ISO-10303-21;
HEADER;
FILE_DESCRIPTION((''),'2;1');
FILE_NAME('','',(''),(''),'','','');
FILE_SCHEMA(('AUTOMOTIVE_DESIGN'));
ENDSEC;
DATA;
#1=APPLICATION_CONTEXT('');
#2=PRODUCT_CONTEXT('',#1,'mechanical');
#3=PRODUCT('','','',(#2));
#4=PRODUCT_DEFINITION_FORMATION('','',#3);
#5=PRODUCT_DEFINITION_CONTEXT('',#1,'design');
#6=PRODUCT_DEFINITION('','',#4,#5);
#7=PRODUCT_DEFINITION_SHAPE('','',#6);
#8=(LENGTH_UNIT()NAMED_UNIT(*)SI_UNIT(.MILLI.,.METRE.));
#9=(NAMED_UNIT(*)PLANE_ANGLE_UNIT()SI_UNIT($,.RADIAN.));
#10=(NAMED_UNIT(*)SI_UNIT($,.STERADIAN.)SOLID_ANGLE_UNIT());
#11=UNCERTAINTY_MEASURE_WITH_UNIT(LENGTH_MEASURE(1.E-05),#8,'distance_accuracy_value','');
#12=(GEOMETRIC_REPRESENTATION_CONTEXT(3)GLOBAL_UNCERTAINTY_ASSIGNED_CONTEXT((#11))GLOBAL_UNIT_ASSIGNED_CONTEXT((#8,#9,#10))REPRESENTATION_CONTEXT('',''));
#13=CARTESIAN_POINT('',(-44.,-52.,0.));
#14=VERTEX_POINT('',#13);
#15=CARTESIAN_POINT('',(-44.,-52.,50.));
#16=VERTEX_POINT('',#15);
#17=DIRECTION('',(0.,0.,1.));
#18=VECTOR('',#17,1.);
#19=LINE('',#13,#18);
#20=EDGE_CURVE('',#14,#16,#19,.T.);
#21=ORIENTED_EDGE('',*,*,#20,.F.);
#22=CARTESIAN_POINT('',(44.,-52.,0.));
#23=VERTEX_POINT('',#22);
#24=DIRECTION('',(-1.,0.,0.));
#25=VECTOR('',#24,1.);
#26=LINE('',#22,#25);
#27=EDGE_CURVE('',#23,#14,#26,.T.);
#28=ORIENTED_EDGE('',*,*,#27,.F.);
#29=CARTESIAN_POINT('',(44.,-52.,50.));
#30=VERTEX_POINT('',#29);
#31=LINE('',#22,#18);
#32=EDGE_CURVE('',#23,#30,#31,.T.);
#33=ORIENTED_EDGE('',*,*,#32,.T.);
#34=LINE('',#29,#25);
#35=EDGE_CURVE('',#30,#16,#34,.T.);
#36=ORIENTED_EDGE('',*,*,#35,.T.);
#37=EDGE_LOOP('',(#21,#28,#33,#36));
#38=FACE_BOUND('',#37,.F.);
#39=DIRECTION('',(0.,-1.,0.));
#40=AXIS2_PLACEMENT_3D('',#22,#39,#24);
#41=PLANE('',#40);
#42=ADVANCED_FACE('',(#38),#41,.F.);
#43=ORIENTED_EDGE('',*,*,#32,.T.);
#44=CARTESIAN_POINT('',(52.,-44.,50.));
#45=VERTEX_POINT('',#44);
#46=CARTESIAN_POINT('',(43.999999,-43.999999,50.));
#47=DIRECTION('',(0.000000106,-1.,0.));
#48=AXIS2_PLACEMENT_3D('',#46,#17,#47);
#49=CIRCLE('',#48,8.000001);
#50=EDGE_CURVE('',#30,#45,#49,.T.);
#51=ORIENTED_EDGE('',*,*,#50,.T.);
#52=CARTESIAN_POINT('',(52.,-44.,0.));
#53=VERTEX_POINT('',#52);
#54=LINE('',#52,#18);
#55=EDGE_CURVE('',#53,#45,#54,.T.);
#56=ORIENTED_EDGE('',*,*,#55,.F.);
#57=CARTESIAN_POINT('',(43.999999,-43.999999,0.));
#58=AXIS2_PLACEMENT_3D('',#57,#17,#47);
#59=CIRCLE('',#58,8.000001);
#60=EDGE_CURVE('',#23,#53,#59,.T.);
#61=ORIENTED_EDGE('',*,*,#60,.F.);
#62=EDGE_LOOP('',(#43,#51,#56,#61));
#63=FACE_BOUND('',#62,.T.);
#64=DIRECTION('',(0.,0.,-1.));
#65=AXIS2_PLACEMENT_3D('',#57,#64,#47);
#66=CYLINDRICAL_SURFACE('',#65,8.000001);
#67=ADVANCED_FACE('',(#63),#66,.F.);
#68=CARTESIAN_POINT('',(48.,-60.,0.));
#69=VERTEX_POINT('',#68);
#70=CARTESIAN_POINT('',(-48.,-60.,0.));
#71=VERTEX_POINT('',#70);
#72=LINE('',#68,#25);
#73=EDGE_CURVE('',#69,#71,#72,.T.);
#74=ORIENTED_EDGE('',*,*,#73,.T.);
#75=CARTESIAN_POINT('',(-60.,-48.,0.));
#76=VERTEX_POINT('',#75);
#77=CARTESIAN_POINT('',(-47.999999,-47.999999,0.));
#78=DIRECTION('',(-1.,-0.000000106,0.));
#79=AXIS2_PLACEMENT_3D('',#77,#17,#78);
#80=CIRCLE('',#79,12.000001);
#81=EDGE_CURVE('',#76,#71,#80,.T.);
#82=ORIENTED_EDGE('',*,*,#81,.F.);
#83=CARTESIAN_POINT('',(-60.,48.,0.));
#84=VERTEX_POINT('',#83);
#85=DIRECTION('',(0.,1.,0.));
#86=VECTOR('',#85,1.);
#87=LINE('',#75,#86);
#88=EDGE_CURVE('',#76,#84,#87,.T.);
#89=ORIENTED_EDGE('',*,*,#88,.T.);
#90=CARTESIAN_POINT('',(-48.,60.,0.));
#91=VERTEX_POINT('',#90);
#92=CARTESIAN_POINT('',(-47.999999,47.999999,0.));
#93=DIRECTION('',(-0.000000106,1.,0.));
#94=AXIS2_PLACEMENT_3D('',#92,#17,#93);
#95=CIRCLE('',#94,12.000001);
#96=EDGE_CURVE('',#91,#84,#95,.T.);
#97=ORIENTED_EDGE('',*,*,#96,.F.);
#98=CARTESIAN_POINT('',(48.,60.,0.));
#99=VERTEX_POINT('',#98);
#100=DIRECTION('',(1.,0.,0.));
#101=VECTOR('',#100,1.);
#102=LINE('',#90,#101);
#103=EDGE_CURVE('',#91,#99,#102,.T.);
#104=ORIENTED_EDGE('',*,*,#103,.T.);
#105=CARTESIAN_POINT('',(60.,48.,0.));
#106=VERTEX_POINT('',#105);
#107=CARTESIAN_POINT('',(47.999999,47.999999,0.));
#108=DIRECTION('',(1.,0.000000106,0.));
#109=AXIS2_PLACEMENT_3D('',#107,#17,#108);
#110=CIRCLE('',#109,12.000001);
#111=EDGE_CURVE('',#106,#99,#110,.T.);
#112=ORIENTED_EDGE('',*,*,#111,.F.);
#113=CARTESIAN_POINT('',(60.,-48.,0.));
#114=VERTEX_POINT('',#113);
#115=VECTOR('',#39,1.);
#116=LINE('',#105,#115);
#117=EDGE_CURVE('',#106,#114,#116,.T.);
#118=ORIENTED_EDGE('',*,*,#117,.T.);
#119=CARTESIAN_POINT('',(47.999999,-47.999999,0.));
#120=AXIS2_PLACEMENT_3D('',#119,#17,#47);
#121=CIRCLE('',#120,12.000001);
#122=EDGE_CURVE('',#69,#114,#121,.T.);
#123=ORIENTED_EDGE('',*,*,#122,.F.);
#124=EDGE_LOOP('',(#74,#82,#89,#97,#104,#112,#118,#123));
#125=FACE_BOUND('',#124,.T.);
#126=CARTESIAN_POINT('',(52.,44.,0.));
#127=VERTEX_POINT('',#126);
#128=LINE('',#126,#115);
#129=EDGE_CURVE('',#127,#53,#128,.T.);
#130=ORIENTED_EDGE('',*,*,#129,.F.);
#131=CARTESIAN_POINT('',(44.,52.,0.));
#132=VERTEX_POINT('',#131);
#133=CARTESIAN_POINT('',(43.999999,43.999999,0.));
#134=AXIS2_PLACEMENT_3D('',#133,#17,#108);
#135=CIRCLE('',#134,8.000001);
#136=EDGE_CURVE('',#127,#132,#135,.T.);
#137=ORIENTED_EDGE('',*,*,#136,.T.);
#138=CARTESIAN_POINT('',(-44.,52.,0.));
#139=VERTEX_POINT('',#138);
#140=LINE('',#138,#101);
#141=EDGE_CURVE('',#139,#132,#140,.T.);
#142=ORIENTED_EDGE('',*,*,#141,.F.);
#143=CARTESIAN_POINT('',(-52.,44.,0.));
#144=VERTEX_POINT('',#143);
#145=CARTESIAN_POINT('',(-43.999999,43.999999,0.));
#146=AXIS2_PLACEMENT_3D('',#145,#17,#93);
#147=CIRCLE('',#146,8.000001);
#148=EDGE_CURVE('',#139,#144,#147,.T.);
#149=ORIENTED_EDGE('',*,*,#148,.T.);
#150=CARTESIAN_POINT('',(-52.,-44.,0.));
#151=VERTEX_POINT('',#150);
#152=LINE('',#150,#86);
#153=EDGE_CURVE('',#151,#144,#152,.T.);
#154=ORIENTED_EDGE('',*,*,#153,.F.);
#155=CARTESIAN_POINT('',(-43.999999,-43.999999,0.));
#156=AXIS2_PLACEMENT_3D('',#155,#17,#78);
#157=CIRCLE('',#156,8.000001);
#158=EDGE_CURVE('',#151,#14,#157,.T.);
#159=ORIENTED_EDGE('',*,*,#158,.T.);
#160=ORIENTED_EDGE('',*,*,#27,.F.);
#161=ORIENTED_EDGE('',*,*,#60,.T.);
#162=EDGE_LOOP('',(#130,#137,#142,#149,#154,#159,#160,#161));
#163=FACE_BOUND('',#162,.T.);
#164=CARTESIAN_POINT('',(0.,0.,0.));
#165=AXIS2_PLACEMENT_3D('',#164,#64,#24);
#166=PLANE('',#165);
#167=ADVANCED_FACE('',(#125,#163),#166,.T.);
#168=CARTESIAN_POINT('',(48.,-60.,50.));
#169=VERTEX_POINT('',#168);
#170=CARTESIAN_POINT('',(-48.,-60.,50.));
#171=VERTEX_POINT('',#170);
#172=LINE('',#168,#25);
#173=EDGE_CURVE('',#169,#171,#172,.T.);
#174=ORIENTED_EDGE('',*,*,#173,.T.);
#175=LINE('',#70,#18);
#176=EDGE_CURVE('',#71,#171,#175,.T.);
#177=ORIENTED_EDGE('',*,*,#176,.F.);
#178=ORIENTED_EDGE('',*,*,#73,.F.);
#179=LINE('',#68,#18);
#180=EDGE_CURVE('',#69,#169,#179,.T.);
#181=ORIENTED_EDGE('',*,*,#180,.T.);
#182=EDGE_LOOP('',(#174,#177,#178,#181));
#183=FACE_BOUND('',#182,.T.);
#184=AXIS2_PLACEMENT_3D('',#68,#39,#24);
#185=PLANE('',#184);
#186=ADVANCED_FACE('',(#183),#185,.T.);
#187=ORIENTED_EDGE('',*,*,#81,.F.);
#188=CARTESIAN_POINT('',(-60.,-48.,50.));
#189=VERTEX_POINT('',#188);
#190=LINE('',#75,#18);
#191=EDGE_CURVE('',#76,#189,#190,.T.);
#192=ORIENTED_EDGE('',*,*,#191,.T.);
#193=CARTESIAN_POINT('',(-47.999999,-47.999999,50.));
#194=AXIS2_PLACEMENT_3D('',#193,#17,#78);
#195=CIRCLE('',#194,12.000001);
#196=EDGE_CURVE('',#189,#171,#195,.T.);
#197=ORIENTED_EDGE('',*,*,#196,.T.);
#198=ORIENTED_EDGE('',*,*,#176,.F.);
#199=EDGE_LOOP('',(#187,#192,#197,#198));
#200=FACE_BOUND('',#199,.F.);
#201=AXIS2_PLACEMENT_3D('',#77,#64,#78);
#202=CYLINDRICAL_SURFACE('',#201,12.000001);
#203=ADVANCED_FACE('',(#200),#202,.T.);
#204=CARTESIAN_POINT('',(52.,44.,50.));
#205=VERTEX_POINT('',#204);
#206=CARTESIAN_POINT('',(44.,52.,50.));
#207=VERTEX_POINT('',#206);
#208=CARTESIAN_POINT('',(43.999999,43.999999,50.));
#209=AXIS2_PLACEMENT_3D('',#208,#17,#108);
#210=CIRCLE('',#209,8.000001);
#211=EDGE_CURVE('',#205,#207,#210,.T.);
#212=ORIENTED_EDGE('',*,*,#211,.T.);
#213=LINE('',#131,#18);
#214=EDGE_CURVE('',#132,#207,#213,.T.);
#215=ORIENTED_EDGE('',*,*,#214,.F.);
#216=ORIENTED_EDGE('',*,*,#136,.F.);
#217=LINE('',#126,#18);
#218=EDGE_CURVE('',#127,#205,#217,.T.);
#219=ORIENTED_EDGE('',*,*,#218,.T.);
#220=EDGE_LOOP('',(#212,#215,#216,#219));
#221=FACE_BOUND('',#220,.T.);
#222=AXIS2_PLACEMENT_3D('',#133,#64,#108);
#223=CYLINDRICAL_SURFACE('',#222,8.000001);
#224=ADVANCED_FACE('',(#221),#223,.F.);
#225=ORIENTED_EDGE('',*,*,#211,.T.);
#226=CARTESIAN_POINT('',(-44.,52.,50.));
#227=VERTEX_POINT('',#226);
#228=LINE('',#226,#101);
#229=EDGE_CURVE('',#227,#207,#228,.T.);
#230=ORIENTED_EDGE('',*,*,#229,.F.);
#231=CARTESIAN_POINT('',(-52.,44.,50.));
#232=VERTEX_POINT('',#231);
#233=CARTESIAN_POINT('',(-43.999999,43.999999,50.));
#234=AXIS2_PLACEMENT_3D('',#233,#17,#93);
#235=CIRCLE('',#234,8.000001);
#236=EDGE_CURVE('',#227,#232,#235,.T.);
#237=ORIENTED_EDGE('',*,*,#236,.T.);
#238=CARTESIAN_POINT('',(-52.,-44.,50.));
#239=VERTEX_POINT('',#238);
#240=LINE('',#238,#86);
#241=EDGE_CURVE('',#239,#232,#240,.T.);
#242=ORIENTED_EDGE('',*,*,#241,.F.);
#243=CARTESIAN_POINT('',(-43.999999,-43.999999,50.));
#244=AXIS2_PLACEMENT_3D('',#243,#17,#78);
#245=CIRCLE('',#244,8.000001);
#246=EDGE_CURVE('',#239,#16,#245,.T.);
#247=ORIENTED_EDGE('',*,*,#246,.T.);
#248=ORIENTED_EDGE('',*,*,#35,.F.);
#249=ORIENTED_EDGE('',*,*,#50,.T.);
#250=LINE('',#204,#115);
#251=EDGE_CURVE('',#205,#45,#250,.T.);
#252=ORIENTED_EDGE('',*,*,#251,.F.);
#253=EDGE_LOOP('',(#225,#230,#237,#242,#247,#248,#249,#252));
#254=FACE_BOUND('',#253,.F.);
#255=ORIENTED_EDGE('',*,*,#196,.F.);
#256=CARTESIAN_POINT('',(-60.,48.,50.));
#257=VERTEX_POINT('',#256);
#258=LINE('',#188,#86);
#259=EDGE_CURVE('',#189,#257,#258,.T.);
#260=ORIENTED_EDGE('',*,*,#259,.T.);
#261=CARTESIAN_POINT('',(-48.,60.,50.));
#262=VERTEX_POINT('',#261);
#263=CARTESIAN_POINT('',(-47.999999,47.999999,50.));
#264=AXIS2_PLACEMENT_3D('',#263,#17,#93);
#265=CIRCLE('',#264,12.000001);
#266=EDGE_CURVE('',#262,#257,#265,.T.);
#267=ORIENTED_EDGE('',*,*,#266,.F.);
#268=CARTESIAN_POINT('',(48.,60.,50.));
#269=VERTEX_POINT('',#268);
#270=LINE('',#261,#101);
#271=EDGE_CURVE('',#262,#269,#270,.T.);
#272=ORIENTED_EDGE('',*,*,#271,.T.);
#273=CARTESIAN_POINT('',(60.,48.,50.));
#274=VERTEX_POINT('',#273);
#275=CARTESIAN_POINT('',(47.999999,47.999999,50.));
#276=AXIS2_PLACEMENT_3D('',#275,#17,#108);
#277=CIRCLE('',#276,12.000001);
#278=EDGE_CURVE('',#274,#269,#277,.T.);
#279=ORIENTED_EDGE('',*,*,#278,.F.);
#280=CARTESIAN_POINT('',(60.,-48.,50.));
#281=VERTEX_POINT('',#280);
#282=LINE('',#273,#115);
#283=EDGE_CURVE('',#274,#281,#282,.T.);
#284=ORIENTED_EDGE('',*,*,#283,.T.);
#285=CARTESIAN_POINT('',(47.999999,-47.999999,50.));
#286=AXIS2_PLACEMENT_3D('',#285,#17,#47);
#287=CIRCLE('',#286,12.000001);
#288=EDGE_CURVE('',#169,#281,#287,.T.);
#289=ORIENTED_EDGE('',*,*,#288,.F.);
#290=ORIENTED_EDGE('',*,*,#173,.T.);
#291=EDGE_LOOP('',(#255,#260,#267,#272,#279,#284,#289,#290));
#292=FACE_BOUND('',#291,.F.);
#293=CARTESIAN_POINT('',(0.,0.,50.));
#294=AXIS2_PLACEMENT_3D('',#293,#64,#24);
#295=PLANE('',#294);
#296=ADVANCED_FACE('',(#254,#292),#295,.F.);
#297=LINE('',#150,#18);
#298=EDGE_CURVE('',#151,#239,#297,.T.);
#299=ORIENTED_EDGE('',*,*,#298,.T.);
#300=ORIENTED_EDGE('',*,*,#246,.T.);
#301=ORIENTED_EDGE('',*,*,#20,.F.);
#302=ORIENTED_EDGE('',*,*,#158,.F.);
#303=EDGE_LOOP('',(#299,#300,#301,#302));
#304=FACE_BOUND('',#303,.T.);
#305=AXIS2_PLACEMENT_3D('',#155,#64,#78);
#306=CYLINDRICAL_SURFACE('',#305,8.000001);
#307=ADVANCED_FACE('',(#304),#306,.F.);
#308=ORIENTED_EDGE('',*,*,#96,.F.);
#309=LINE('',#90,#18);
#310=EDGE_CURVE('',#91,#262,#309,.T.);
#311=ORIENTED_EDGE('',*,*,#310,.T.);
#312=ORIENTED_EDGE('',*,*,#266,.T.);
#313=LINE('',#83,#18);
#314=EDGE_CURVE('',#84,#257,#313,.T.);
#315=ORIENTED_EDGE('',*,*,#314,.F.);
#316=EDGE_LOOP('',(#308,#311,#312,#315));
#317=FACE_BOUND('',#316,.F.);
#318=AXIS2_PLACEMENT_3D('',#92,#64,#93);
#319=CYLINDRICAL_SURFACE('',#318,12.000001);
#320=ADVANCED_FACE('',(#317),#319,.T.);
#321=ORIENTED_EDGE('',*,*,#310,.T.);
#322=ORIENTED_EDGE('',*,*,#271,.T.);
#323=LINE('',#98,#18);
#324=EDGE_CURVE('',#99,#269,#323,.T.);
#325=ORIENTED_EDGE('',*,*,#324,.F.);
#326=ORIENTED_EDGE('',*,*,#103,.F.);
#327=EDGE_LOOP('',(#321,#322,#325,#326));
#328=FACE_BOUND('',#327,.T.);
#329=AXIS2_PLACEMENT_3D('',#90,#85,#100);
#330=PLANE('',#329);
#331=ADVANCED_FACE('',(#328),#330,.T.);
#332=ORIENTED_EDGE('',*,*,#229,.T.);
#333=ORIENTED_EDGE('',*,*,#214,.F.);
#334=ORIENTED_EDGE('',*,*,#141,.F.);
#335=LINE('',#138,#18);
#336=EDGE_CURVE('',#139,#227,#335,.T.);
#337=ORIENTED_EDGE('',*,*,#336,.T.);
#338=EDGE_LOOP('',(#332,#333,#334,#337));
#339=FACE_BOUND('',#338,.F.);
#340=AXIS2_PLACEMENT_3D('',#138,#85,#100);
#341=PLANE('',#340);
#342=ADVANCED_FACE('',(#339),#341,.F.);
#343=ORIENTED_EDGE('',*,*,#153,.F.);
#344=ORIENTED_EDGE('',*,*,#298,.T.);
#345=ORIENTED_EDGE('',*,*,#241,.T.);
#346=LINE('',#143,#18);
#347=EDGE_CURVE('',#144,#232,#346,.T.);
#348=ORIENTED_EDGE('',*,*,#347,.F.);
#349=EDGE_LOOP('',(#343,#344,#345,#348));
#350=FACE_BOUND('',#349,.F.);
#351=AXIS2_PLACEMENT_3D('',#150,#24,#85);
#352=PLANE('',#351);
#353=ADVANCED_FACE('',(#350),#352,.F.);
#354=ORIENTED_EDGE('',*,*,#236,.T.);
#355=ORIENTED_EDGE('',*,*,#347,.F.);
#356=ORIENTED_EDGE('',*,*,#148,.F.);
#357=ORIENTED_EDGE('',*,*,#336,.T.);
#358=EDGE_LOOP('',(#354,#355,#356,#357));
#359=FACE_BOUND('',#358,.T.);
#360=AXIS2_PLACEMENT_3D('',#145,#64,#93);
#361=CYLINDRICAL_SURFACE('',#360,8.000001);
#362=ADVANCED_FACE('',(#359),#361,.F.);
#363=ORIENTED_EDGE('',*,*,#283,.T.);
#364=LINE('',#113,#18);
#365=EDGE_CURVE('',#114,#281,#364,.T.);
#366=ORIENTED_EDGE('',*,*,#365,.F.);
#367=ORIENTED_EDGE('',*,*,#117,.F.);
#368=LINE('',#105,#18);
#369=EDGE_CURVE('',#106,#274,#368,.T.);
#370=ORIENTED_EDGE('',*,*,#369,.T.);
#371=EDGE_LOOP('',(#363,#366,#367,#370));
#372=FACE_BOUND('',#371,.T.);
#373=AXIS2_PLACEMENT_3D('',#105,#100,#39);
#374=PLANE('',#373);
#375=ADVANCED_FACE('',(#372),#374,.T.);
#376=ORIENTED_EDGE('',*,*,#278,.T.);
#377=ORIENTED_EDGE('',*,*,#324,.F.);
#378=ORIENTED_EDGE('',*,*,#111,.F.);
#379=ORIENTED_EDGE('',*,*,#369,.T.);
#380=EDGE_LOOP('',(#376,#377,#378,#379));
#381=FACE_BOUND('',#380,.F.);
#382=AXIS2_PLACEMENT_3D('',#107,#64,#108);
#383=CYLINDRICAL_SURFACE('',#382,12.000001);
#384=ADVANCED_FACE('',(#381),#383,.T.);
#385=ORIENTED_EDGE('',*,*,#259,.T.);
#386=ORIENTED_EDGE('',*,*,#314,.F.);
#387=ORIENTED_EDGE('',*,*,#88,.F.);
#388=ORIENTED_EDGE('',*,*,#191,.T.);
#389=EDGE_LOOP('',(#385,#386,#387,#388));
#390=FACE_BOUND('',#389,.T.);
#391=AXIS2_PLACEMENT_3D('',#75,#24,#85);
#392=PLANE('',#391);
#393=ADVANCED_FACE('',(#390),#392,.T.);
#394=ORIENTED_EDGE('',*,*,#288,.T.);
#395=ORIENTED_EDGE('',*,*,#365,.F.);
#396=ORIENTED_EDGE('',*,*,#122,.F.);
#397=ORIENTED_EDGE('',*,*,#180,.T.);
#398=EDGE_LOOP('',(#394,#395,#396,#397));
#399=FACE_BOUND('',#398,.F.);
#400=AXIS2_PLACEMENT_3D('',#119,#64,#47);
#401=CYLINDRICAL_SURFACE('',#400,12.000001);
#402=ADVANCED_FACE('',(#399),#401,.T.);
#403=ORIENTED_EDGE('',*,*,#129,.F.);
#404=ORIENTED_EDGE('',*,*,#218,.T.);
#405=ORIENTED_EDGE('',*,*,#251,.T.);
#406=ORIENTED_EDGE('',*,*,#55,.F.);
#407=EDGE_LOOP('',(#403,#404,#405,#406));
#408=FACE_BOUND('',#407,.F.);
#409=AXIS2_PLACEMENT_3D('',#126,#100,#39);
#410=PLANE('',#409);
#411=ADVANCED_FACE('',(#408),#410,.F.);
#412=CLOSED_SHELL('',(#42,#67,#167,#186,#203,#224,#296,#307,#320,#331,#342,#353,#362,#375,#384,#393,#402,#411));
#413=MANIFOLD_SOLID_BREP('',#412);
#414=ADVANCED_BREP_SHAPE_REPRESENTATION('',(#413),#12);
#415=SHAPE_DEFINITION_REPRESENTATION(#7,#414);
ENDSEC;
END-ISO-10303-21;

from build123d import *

# Parameters (mm, degrees)
EXTRUDE_DEPTH = 50


with BuildPart() as part:
    # Sketch → Extrude (new body)
    with BuildSketch(Plane.XY):
        with BuildLine():
            Line((-48, 60), (48, 60))
            ThreePointArc((60, 48), (56.485281, 56.485281), (48, 60))
            Line((60, 48), (60, -48))
            ThreePointArc((48, -60), (56.485281, -56.485281), (60, -48))
            Line((48, -60), (-48, -60))
            ThreePointArc((-60, -48), (-56.485281, -56.485281), (-48, -60))
            Line((-60, -48), (-60, 48))
            ThreePointArc((-48, 60), (-56.485281, 56.485281), (-60, 48))
        make_face()
        with BuildLine():
            Line((-44, 52), (44, 52))
            ThreePointArc((52, 44), (49.656854, 49.656854), (44, 52))
            Line((52, 44), (52, -44))
            ThreePointArc((44, -52), (49.656854, -49.656854), (52, -44))
            Line((44, -52), (-44, -52))
            ThreePointArc((-52, -44), (-49.656854, -49.656854), (-44, -52))
            Line((-52, -44), (-52, 44))
            ThreePointArc((-44, 52), (-49.656854, 49.656854), (-52, 44))
        make_face(mode=Mode.SUBTRACT)
    extrude(amount=EXTRUDE_DEPTH)


solid = part.part
